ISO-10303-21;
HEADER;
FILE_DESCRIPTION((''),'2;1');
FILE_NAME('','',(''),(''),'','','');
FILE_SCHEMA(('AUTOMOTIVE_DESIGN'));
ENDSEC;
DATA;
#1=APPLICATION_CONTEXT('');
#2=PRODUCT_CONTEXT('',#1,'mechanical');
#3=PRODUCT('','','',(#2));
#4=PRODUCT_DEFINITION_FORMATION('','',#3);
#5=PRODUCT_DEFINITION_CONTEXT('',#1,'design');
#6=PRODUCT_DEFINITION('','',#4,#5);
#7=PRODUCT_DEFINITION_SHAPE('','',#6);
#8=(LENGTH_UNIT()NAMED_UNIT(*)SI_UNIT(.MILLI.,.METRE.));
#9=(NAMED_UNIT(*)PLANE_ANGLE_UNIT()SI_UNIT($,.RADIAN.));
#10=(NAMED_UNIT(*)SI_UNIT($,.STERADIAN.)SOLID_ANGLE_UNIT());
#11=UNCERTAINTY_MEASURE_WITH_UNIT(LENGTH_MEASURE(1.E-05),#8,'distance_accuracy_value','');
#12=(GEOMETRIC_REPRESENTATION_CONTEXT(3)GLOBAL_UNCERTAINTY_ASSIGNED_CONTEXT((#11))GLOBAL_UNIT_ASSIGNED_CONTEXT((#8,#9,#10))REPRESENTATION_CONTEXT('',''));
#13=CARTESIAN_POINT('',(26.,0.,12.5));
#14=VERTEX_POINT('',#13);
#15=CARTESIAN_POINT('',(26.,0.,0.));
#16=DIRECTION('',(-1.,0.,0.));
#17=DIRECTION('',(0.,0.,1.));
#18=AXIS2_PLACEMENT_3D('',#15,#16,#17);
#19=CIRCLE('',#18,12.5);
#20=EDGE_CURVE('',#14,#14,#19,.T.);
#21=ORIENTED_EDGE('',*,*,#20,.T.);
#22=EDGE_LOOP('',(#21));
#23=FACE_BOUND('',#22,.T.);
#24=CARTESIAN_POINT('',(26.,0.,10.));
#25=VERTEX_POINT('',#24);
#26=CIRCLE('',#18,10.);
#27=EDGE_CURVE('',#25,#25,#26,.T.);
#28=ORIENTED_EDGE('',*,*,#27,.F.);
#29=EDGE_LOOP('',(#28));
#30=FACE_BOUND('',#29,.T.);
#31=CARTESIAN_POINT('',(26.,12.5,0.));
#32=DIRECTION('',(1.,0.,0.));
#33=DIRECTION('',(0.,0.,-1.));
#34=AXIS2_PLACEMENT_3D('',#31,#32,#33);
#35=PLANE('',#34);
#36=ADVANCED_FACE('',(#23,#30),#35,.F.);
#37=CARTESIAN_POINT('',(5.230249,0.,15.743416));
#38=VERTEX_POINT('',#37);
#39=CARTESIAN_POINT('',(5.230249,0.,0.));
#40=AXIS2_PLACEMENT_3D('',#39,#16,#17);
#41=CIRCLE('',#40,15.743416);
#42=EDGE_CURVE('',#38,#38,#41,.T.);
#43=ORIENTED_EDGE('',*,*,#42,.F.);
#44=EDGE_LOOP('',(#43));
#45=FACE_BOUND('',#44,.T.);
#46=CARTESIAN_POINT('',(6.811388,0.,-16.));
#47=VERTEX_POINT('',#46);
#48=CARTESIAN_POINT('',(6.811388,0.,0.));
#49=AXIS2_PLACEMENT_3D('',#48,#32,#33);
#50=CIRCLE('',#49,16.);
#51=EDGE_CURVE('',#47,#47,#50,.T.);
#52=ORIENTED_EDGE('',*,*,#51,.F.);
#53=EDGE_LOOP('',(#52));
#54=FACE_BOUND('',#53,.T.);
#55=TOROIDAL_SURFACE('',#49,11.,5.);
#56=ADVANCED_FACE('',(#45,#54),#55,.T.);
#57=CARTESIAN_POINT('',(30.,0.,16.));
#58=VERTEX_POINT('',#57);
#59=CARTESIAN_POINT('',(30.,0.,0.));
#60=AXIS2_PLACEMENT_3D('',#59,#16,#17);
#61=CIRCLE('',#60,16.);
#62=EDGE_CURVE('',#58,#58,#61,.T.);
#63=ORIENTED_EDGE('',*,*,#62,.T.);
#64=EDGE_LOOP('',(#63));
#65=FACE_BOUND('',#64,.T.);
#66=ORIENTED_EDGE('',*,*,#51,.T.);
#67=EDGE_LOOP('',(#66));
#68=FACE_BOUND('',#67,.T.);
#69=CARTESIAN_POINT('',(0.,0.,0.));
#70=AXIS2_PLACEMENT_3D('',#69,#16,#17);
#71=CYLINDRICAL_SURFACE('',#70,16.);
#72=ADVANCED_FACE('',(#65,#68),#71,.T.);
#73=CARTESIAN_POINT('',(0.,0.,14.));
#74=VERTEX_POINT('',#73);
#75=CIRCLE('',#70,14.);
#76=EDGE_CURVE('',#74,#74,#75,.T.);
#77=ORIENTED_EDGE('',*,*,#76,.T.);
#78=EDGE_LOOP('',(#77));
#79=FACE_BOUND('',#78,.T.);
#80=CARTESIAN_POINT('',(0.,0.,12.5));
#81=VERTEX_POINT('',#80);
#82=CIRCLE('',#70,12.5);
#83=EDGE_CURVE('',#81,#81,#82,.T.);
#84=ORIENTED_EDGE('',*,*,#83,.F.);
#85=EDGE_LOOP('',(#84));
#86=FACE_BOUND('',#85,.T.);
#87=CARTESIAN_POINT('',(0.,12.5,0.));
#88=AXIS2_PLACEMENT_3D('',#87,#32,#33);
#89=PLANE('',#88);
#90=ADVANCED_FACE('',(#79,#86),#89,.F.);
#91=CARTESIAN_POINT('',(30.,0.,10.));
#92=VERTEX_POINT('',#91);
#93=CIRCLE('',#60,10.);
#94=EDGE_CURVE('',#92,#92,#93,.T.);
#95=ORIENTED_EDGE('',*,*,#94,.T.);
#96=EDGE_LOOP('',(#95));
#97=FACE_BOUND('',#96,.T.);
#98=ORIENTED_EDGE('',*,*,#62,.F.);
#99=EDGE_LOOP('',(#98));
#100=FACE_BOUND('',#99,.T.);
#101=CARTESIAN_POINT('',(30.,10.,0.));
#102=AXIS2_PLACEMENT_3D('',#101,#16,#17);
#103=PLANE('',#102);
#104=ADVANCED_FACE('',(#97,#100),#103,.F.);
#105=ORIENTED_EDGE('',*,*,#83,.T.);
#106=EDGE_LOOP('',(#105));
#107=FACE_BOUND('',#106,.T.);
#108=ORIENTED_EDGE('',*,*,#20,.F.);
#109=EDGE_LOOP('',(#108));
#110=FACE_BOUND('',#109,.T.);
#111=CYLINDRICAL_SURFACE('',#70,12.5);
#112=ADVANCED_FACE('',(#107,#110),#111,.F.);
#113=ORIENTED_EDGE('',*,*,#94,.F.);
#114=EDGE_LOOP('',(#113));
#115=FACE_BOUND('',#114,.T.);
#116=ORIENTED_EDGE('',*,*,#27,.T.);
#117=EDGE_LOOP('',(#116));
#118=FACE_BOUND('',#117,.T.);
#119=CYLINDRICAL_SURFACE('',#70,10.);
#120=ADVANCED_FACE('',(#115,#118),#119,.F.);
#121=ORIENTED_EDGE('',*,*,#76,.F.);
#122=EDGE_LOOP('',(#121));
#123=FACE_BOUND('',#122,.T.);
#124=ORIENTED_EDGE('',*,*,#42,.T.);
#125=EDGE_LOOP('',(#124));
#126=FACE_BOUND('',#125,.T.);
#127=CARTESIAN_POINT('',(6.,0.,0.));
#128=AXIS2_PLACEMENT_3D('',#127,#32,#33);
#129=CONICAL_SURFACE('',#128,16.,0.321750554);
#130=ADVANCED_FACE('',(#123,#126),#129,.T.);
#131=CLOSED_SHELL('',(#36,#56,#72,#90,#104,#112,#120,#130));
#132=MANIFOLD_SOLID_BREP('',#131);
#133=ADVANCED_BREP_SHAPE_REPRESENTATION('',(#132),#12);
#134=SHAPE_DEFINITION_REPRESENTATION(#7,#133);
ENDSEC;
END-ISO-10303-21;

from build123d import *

# Parameters (mm, degrees)
REDONDEO1_R = 5


with BuildPart() as part:
    # Croquis1 → Revolución1 (revolve)
    with BuildSketch(Plane.XY, mode=Mode.PRIVATE) as revoluci_n1_sk:
        Polygon((0, 12.5), (26, 12.5), (26, 10), (30, 10), (30, 16), (6, 16), (0, 14), align=None)
    revolve(revoluci_n1_sk.sketch.rotate(Axis((0, 0, 0), (1, 0, 0)), 90), axis=Axis((0, 0, 0), (1, 0, 0)))

    # Redondeo1
    redondeo1_edges = [part.edges().sort_by_distance(p)[0] for p in [
        (6, 0, -16),
    ]]
    fillet(redondeo1_edges, radius=REDONDEO1_R)


solid = part.part
